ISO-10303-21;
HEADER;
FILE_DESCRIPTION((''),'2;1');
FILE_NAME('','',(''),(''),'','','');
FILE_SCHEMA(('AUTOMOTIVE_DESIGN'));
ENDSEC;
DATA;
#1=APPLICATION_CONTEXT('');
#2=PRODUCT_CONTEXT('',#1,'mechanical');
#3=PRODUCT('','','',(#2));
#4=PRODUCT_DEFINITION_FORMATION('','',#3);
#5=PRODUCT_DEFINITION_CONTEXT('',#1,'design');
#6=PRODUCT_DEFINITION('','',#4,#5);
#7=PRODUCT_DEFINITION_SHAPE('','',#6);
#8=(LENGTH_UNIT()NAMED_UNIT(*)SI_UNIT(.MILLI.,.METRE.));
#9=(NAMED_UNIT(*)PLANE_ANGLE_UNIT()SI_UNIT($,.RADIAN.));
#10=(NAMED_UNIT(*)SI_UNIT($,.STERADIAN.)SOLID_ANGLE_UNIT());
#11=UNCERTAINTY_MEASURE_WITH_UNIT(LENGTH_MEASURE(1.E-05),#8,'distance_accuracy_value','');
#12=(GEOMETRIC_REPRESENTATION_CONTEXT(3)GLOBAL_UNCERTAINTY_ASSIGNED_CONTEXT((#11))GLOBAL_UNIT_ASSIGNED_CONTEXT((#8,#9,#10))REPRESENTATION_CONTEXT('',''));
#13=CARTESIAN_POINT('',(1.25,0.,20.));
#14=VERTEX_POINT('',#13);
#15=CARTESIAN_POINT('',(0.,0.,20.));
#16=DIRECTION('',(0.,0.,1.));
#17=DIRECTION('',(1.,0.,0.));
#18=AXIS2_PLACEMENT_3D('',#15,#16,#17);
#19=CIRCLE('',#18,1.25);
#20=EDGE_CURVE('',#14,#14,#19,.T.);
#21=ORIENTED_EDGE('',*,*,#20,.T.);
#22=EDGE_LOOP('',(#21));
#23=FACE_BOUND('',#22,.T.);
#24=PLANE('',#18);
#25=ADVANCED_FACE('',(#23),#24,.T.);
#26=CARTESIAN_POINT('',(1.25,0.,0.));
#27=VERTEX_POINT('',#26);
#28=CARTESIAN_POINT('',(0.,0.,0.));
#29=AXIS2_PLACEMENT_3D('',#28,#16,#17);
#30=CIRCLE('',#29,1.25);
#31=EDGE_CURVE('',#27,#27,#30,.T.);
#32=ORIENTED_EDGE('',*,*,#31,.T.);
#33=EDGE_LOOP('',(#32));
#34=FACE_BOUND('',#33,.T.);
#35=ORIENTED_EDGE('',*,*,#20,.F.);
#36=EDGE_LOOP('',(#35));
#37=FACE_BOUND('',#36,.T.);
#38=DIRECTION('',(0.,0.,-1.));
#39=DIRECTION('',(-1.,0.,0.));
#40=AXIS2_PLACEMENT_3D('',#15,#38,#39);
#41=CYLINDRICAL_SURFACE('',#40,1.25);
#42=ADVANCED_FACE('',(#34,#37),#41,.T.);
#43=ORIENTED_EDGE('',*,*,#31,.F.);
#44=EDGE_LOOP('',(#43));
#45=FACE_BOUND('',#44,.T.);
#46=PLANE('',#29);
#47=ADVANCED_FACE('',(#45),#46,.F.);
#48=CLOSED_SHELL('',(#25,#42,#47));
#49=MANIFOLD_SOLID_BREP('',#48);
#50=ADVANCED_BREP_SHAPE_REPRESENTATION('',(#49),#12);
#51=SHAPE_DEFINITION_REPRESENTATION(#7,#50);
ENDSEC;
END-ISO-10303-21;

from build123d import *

# Parameters (mm, degrees)
ESQUISSE1_R        = 1.25
BOSS_EXTRU_1_DEPTH = 20


with BuildPart() as part:
    # Esquisse1 → Boss.-Extru.1 (new body)
    with BuildSketch(Plane.XY):
        Circle(ESQUISSE1_R)
    extrude(amount=BOSS_EXTRU_1_DEPTH)


solid = part.part
